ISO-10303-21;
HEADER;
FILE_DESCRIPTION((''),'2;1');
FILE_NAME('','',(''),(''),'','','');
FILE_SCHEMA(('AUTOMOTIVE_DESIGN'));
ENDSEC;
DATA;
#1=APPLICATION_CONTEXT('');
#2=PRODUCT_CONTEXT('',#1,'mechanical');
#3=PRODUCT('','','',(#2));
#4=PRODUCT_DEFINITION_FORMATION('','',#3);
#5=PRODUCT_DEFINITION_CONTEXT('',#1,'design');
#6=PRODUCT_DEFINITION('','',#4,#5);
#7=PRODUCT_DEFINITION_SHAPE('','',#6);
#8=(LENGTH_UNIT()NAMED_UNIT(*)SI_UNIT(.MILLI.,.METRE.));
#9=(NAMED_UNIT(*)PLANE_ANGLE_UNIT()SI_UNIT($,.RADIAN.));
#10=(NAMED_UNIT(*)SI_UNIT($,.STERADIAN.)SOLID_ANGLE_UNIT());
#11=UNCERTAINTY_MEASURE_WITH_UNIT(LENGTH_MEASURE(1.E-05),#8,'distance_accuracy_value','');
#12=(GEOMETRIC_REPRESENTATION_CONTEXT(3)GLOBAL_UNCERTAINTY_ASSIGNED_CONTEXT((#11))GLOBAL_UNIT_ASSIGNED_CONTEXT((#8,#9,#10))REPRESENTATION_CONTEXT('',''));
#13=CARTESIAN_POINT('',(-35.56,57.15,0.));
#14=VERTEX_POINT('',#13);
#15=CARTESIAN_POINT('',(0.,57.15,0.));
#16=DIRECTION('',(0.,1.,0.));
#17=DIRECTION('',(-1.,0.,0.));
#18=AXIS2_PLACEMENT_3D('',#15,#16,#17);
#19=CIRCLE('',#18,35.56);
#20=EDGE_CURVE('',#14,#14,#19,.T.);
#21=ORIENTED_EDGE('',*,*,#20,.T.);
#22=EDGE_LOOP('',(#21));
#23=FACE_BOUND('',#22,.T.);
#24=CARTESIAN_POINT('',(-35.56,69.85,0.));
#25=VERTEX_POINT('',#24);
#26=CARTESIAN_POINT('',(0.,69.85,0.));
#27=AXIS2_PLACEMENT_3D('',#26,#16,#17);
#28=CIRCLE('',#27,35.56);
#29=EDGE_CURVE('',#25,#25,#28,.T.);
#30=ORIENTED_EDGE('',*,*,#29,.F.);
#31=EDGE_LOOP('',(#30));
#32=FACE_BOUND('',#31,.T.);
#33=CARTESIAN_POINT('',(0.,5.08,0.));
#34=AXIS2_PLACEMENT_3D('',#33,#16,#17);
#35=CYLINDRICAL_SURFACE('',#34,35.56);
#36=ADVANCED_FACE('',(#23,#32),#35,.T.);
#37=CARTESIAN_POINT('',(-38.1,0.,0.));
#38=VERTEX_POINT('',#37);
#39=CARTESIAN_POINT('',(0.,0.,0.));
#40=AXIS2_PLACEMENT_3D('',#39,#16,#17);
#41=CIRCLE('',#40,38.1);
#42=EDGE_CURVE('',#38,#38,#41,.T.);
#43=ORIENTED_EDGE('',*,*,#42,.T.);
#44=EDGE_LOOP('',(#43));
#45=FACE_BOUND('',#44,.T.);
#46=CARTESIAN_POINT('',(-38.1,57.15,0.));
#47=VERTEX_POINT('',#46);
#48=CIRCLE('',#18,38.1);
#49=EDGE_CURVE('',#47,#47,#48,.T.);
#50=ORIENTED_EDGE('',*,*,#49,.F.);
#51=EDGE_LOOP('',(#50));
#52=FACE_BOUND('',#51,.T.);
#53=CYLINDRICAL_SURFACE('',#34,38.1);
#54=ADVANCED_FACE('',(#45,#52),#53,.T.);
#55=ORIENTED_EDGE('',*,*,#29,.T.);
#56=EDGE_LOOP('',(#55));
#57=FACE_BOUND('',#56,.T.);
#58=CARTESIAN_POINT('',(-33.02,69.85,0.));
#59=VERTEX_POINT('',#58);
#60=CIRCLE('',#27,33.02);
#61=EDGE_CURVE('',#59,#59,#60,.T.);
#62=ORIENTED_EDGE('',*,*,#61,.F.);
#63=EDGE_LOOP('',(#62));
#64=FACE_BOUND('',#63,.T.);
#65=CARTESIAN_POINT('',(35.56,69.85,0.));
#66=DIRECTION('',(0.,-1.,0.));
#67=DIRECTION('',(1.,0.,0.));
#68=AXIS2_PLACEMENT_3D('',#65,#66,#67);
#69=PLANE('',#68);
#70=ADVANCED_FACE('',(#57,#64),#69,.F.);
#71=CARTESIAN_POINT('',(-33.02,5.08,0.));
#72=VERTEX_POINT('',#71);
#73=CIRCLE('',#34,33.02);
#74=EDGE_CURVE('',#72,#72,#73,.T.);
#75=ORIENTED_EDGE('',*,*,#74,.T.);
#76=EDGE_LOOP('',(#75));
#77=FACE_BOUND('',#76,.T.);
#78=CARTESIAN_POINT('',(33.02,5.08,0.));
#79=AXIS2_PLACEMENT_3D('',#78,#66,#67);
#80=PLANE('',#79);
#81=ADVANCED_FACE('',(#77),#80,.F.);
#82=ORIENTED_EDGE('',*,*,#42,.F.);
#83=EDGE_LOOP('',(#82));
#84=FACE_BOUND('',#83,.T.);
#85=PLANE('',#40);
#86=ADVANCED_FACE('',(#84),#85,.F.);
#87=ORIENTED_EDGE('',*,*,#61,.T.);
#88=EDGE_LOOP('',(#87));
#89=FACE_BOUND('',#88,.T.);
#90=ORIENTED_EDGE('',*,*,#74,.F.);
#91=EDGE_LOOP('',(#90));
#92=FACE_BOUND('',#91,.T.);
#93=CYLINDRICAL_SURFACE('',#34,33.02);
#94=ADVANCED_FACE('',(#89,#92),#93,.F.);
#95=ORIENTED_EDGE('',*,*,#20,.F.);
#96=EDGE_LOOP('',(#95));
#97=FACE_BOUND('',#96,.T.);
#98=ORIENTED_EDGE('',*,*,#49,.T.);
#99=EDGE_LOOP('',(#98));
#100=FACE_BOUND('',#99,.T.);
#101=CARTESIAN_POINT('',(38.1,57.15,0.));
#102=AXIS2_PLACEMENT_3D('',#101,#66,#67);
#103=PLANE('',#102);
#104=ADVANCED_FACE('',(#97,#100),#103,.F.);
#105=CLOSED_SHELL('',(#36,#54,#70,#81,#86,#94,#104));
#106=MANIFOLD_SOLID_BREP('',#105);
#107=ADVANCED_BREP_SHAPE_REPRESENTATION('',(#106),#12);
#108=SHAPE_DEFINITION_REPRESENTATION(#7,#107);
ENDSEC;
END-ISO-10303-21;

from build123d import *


with BuildPart() as part:
    # Sketch1 → Revolve1 (revolve)
    with BuildSketch(Plane.XY, mode=Mode.PRIVATE) as revolve1_sk:
        Polygon((0, 0), (38.1, 0), (38.1, 57.15), (35.56, 57.15), (35.56, 69.85), (33.02, 69.85), (33.02, 5.08), (0, 5.08), align=None)
    revolve(revolve1_sk.sketch.rotate(Axis((0, 5.08, 0), (0, -1, 0)), 180), axis=Axis((0, 5.08, 0), (0, -1, 0)))


solid = part.part
